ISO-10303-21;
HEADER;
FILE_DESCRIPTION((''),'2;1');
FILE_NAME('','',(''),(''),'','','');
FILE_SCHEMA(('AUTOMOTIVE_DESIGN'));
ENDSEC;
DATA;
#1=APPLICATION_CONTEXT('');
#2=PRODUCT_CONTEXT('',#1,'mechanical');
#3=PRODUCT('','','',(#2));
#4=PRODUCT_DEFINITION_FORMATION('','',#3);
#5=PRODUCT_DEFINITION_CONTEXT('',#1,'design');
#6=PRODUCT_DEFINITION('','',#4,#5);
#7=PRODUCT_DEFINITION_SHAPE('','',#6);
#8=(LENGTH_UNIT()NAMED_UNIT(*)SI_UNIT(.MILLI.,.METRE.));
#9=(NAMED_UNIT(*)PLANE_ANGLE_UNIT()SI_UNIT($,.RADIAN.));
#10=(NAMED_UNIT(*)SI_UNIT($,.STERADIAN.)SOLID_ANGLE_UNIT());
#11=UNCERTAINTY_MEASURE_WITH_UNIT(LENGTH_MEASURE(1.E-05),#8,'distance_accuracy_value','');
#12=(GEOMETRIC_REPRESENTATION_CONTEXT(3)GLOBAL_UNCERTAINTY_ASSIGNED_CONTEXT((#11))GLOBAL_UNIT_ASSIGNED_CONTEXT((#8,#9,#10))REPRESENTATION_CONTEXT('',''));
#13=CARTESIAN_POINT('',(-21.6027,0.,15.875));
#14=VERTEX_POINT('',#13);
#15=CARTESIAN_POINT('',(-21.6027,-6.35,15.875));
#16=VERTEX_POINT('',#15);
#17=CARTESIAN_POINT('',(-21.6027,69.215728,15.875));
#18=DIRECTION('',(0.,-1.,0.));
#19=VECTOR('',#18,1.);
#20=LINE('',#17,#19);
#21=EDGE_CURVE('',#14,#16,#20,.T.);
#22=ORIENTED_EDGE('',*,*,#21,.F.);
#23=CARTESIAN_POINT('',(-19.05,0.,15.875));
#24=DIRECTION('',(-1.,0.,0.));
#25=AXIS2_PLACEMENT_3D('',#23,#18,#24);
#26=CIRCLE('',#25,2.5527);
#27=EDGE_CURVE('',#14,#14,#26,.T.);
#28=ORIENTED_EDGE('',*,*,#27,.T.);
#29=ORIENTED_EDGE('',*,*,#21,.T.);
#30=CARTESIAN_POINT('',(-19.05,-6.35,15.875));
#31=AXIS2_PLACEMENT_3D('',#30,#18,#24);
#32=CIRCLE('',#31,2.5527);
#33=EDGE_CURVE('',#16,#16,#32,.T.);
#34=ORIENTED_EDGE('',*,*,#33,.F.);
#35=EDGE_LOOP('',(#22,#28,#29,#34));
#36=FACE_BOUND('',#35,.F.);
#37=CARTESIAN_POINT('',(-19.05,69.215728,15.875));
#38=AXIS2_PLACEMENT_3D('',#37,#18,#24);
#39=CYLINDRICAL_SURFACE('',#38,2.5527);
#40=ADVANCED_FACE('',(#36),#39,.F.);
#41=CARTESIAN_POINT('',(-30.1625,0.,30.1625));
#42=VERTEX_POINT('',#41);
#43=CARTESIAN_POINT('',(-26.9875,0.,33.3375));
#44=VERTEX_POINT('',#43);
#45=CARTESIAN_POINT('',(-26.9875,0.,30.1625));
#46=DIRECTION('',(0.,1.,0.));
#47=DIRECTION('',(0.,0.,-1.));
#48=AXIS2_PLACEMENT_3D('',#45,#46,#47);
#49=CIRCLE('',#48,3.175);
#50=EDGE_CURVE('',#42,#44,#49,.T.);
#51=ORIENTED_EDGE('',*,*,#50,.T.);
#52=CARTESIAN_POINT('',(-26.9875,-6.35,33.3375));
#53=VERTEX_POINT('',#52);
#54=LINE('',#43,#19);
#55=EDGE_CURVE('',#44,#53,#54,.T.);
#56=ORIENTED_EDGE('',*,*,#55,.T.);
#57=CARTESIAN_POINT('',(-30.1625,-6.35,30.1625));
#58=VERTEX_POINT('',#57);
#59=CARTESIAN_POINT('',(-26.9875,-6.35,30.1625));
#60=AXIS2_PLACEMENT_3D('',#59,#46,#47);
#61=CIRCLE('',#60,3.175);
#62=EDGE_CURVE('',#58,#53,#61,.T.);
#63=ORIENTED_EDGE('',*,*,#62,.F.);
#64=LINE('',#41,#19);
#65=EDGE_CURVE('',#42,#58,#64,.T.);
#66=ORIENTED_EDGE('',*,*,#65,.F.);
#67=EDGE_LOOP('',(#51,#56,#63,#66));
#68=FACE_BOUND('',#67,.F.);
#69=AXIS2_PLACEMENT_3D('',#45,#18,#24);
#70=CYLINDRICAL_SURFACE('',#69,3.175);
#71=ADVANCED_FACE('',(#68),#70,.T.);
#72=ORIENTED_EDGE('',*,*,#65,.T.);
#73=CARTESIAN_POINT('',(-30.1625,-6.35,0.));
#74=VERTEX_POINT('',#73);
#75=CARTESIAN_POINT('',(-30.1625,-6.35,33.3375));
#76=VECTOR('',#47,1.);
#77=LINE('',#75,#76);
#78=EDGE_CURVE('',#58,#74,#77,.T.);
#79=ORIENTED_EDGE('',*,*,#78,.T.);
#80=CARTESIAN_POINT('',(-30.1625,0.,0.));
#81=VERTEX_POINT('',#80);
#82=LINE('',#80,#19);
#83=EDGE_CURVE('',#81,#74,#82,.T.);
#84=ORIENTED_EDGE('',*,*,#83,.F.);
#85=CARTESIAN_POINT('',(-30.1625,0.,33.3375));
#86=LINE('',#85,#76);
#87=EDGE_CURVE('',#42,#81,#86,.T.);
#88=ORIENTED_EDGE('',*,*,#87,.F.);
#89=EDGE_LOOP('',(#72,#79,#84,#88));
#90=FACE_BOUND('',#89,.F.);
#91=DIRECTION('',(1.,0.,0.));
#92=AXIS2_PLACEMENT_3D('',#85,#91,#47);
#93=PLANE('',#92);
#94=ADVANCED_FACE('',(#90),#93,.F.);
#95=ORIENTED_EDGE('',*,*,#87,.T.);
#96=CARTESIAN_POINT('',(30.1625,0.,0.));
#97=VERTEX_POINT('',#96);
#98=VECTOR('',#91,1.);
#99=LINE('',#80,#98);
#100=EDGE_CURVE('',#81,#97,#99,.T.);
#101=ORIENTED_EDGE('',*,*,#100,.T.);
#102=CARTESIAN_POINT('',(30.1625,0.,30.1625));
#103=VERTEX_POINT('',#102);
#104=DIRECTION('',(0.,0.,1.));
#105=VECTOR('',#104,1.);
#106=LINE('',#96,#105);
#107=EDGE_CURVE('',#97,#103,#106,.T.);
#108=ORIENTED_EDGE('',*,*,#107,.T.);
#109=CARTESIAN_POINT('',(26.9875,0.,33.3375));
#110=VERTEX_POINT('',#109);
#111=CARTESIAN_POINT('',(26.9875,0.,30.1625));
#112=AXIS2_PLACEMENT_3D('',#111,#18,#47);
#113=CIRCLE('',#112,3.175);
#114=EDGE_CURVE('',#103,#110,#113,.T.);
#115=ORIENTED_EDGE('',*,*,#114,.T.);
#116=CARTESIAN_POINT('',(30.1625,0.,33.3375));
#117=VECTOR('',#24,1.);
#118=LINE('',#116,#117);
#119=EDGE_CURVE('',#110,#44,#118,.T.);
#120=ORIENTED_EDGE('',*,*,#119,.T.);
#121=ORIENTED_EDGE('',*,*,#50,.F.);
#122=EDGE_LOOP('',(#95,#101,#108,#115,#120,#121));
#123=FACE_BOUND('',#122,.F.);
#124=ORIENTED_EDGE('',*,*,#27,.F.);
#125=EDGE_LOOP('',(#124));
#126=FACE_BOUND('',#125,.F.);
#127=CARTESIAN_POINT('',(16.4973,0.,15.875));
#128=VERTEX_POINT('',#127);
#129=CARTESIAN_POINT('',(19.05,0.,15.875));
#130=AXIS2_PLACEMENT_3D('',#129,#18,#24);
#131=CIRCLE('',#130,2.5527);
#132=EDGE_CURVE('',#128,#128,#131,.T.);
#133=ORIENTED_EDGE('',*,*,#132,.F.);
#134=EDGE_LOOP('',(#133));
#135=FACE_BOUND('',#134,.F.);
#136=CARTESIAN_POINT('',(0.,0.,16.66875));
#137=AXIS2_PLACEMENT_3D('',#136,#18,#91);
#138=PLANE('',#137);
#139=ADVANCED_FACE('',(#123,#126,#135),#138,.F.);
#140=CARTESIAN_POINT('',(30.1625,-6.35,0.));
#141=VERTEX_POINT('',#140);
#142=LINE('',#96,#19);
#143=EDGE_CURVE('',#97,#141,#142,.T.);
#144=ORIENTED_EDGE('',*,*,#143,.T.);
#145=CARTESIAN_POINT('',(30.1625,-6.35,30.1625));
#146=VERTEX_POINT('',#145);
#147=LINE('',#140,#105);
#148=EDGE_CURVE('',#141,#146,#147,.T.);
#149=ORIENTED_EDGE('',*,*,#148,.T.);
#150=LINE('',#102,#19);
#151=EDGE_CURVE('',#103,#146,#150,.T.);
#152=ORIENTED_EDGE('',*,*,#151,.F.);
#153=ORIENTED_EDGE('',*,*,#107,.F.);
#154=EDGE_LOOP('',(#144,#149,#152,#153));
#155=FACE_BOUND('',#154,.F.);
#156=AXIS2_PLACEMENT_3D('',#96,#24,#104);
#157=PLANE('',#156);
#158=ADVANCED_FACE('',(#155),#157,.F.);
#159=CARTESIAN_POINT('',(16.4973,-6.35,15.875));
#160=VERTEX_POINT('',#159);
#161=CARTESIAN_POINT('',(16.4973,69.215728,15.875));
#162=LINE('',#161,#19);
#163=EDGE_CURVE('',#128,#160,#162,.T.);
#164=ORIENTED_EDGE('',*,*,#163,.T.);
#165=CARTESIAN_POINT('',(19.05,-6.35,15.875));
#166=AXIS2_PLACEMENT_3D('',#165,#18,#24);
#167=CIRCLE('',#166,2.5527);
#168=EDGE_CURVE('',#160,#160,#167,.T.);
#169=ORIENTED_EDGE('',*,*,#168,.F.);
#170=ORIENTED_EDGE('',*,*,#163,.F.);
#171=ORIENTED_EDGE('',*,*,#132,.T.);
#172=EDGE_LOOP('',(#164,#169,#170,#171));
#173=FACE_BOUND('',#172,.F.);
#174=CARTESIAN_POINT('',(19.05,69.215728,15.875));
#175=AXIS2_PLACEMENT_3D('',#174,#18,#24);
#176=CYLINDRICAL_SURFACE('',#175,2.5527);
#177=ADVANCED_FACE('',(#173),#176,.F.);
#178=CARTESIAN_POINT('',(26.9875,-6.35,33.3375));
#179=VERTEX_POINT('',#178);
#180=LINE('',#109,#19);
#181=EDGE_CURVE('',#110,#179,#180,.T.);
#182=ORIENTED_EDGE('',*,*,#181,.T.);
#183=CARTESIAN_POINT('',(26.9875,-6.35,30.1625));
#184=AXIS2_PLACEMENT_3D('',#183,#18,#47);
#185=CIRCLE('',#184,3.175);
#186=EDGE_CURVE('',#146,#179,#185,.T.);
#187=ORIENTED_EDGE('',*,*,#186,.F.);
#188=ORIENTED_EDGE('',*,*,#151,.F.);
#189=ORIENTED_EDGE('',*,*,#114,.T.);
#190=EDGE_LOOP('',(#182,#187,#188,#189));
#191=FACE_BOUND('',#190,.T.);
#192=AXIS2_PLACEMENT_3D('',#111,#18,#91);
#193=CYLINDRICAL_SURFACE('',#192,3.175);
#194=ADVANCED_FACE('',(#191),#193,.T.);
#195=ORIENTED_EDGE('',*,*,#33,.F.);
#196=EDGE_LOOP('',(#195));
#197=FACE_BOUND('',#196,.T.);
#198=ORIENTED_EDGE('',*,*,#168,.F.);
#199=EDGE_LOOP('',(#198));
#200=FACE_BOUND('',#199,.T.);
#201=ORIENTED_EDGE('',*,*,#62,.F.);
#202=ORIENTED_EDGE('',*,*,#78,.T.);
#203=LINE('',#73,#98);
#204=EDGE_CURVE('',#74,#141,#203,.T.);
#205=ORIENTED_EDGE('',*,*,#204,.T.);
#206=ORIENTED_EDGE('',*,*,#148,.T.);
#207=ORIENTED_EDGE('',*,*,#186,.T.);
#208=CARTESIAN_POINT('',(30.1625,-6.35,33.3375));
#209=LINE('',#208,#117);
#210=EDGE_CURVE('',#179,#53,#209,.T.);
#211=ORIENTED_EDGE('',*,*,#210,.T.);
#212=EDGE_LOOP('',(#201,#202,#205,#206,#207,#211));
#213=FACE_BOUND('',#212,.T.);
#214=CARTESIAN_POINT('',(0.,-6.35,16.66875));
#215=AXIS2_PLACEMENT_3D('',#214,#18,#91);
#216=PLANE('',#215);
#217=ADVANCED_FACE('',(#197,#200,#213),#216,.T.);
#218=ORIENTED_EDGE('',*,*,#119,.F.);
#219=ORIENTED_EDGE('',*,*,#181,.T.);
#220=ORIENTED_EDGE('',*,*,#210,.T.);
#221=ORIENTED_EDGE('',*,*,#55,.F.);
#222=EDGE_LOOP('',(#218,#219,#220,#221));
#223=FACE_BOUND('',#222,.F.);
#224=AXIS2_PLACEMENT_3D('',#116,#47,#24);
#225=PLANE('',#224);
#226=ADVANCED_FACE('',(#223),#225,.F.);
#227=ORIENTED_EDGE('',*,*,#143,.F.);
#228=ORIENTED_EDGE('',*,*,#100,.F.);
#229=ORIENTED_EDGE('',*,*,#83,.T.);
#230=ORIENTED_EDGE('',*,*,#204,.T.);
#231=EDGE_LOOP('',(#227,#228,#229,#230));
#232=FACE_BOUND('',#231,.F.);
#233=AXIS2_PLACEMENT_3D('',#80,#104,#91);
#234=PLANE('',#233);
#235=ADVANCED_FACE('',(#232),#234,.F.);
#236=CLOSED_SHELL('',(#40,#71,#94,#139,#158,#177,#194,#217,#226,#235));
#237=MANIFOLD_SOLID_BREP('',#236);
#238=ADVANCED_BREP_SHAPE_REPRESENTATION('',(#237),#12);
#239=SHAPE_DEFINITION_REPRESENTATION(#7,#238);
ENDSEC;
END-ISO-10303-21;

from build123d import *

# Parameters (mm, degrees)
F1_DEPTH = 6.35
F2_D     = 5.1054
F3_R     = 3.175


with BuildPart() as f1:
    # F0 (on Front) → F1 (new body)
    with BuildSketch(Plane.XZ):
        Polygon((-30.1625, 0), (0, 0), (30.1625, 0), (30.1625, 33.3375), (0, 33.3375), (-30.1625, 33.3375), align=None)
    extrude(amount=F1_DEPTH)

    # F2 (through all)
    with Locations(Plane(origin=(0, 0, 0), x_dir=(1, 0, 0), z_dir=(0, 1, 0))):
        with Locations((-19.05, -15.875), (19.05, -15.875)):
            Hole(F2_D / 2)

    # F3
    f3_edges = [f1.edges().sort_by_distance(p)[0] for p in [
        (-30.1625, -3.175, 33.3375),
        (30.1625, -3.175, 33.3375),
    ]]
    fillet(f3_edges, radius=F3_R)


solid = f1.part
